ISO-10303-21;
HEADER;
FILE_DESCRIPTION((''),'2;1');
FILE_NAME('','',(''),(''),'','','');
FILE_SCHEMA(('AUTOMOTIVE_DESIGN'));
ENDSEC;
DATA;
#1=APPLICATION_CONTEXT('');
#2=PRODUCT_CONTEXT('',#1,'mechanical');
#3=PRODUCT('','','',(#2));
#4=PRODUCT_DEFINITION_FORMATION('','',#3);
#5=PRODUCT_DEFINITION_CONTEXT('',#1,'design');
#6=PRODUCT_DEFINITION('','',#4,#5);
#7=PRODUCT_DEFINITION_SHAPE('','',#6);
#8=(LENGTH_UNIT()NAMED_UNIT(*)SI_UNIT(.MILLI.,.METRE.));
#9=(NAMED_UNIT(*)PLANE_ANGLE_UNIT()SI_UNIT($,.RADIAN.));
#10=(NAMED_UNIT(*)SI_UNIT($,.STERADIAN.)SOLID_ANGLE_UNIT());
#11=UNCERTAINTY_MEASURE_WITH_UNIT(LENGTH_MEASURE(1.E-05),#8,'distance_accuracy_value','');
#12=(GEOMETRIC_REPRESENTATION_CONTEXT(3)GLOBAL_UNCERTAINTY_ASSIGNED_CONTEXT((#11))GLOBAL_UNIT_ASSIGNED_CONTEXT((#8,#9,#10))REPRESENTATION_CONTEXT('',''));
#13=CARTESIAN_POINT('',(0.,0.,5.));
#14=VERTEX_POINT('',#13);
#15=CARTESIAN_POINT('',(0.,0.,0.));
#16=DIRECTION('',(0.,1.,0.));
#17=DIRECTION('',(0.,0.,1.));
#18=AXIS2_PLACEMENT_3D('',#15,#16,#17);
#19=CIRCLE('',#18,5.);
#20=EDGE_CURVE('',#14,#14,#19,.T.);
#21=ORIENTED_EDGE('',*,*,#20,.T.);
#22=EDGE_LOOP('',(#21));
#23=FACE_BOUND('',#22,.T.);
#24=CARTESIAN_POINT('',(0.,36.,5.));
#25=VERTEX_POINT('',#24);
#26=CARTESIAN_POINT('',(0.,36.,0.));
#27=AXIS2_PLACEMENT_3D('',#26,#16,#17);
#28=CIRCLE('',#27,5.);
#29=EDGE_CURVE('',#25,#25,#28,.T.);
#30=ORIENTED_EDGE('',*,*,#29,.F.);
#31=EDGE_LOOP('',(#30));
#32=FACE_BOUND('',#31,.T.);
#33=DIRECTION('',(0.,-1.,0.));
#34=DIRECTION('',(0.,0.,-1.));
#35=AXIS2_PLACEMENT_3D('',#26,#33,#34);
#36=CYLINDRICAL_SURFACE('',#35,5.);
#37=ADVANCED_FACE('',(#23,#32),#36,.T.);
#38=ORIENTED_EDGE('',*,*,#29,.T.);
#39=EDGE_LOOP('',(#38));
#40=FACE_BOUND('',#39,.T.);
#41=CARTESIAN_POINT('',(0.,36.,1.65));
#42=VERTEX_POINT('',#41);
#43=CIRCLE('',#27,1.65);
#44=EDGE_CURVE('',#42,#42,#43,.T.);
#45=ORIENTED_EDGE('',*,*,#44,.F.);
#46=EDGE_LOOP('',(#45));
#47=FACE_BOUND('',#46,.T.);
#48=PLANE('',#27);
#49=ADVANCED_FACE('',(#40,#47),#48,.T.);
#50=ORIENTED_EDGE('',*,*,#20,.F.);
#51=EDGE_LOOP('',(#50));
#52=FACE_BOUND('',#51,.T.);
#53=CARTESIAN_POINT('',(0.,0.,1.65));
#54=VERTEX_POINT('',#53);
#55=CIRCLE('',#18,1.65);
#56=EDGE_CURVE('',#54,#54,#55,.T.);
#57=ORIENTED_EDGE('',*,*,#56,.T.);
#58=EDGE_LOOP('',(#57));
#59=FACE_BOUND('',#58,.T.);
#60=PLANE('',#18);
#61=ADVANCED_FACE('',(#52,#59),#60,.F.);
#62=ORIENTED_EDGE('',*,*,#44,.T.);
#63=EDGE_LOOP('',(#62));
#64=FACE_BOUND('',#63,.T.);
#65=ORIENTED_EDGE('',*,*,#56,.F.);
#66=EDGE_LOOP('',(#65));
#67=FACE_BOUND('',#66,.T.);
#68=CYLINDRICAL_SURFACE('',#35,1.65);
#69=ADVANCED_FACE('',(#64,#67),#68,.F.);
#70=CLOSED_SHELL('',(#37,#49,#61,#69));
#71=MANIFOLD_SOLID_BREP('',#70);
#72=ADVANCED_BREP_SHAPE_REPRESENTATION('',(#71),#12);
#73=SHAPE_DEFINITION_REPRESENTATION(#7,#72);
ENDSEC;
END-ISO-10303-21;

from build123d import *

# Parameters (mm, degrees)
SKETCH_1_R      = 5
SKETCH_1_R_2    = 1.65
EXTRUDE_1_DEPTH = 36


with BuildPart() as part:
    # Эскиз1 → Бобышка-Вытянуть1 (new body)
    with BuildSketch(Plane(origin=(0, 0, 0), x_dir=(1, 0, 0), z_dir=(0, 1, 0))):
        with Locations(Location((0, 0, 0), (0, 0, 270))):
            Circle(SKETCH_1_R)
        with Locations(Location((0, 0, 0), (0, 0, 270))):
            Circle(SKETCH_1_R_2, mode=Mode.SUBTRACT)
    extrude(amount=EXTRUDE_1_DEPTH)


solid = part.part
